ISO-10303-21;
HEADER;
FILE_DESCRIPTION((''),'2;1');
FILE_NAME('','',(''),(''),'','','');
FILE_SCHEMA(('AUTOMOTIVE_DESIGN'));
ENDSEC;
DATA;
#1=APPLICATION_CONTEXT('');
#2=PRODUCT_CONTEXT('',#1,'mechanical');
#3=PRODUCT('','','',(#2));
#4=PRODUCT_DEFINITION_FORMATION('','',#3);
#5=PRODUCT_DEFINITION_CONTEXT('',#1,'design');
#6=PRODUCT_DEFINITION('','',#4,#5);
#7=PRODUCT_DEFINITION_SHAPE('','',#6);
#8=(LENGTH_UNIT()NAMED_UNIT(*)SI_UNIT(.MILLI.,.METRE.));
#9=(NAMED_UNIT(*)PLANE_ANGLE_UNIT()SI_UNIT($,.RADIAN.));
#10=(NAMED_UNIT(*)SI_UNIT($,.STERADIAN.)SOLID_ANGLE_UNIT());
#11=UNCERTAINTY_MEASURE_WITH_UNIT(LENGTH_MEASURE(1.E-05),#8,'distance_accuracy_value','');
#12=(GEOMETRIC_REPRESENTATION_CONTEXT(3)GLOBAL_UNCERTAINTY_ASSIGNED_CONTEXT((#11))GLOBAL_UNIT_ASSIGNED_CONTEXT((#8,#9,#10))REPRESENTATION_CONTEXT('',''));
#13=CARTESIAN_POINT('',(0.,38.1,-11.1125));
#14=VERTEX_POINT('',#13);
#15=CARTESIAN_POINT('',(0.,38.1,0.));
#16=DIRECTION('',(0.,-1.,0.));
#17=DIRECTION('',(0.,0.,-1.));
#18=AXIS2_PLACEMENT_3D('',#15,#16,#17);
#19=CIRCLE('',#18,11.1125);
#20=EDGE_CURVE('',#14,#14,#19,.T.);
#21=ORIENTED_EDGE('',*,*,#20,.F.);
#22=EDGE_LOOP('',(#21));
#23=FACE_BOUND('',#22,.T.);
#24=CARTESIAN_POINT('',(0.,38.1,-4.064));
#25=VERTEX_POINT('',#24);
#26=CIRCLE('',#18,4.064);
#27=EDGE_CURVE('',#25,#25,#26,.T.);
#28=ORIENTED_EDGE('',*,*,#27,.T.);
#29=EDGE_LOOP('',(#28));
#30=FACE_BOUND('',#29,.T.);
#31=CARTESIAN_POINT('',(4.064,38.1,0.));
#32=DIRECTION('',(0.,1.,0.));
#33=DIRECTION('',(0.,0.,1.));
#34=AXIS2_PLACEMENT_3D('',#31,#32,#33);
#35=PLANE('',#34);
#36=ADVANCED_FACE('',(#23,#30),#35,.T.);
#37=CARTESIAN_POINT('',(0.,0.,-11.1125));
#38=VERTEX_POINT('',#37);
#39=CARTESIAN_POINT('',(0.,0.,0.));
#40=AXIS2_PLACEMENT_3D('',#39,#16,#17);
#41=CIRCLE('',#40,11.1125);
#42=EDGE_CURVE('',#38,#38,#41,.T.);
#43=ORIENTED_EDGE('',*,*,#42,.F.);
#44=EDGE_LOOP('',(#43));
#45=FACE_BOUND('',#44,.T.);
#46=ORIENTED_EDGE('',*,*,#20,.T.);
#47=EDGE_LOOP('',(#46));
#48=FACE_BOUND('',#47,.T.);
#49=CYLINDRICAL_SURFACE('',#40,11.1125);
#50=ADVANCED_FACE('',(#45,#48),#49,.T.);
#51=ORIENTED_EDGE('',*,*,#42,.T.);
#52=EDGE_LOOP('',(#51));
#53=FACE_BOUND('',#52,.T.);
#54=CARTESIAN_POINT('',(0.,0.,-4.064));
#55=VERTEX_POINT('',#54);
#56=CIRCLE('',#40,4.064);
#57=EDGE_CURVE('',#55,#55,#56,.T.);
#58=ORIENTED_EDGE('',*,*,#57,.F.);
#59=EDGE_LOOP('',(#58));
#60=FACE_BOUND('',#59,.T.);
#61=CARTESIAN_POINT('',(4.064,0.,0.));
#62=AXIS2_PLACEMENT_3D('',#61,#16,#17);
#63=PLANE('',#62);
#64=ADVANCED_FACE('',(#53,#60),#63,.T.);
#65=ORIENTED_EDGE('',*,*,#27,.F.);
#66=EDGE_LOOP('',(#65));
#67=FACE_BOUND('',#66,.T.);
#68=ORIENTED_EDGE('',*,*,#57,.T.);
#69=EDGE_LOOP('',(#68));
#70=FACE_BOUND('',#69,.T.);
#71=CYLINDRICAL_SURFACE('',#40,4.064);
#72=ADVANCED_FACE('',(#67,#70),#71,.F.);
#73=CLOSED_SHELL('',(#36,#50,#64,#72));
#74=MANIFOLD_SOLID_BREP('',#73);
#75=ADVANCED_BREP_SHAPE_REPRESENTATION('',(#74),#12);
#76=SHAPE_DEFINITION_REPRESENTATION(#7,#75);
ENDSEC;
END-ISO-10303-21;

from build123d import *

# Parameters (mm, degrees)
SKETCH2_W = 7.0485
SKETCH2_H = 38.1


with BuildPart() as part:
    # Sketch2 → Revolve1 (revolve)
    with BuildSketch(Plane.XY):
        with Locations((7.58825, 19.05)):
            Rectangle(SKETCH2_W, SKETCH2_H)
    revolve(axis=Axis((0, 0, 0), (0, 1, 0)))


solid = part.part
